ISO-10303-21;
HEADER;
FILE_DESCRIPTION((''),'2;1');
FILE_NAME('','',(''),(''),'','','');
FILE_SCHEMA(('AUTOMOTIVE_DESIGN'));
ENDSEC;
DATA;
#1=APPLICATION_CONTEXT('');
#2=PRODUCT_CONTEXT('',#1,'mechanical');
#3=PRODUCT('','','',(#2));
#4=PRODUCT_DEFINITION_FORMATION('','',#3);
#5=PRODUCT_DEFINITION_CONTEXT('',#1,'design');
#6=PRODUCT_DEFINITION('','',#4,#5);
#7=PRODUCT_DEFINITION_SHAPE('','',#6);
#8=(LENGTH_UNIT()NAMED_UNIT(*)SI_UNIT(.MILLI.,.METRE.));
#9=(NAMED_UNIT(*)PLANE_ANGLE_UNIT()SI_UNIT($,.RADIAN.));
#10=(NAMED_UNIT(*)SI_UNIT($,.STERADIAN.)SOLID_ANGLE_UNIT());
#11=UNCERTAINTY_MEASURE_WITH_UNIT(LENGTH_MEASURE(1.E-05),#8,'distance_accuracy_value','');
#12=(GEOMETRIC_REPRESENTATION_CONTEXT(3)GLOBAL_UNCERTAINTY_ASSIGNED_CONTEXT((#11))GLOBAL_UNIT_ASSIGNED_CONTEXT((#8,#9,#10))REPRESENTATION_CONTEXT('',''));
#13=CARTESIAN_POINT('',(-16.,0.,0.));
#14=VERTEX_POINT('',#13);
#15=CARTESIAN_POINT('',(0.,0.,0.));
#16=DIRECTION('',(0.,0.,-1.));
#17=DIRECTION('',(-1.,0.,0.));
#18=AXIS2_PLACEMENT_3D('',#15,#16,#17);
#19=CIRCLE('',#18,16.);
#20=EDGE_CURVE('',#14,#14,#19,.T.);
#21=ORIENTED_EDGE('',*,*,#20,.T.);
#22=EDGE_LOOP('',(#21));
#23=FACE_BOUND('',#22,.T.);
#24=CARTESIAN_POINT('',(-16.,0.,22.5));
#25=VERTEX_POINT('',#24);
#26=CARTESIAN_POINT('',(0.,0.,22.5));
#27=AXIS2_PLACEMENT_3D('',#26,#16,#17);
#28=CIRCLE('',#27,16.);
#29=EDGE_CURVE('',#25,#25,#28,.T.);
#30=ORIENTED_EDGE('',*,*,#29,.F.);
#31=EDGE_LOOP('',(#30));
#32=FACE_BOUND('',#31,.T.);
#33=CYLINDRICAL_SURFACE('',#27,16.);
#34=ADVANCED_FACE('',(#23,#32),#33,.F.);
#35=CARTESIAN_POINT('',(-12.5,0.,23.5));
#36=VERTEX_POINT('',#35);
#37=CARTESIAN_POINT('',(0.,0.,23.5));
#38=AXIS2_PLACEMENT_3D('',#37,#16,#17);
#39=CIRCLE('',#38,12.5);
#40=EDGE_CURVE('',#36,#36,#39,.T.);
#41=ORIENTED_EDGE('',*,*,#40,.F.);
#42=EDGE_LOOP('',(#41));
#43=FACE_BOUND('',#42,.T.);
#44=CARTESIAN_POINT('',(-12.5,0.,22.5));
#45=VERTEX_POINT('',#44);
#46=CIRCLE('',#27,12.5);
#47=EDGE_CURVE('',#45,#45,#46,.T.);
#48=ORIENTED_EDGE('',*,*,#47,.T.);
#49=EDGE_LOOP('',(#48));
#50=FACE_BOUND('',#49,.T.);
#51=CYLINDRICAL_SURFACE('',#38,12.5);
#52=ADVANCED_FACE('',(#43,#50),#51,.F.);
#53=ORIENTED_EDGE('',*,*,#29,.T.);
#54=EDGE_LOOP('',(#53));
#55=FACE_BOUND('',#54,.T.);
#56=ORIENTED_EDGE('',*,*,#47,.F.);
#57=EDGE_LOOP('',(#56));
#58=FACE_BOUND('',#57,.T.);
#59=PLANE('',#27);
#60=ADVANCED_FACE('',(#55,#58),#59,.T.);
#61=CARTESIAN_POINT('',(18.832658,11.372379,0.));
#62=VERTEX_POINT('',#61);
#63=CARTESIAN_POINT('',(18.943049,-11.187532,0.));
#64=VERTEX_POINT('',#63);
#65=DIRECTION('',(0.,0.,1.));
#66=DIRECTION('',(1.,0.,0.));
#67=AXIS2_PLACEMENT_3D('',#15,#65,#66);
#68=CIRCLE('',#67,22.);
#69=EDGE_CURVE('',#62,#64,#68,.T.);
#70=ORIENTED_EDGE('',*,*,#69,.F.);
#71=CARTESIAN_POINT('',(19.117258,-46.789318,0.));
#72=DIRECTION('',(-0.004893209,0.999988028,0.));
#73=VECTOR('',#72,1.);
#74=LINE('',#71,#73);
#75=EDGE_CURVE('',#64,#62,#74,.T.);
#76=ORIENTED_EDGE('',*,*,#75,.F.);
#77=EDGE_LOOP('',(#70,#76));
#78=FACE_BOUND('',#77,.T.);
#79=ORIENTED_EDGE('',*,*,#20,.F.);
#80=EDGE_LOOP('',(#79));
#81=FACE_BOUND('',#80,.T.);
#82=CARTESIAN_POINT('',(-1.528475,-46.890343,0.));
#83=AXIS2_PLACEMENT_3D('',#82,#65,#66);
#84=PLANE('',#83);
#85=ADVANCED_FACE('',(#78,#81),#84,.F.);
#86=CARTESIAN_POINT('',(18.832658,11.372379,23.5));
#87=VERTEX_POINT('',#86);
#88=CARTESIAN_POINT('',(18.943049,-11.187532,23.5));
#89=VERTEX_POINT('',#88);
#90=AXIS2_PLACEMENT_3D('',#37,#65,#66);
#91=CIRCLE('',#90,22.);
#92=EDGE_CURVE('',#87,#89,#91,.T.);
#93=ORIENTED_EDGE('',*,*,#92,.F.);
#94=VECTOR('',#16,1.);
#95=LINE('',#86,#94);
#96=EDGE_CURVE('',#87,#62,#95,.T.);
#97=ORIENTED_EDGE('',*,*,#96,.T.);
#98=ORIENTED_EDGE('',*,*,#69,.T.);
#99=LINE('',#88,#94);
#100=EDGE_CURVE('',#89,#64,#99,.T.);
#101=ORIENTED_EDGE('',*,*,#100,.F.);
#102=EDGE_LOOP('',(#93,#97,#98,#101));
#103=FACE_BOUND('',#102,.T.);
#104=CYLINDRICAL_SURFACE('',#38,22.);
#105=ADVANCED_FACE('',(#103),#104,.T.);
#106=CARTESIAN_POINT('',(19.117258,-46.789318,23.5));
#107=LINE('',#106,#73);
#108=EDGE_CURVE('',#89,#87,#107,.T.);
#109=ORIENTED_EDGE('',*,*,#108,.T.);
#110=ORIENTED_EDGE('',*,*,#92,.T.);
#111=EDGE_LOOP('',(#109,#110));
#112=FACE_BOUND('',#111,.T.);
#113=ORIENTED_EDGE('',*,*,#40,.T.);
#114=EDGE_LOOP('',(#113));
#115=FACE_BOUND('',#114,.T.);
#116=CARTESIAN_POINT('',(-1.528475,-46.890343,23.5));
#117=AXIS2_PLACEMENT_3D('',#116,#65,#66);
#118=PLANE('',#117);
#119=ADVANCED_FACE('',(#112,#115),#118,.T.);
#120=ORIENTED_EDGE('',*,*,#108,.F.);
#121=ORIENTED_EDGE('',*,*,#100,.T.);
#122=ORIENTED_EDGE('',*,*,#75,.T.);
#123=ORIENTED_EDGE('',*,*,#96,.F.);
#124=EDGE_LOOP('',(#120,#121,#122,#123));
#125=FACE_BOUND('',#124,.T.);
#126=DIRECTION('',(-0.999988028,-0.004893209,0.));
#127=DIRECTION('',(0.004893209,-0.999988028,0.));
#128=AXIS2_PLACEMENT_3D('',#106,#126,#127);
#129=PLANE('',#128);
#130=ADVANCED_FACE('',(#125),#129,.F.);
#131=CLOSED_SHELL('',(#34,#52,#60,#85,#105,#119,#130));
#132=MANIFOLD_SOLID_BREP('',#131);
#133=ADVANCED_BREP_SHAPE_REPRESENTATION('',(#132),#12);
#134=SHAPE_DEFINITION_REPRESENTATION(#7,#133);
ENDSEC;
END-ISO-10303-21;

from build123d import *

# Parameters (mm, degrees)
EXTRUDE_1_DEPTH     = 23.5
SKETCH_6_R          = 16
CUT_EXTRUDE_8_DEPTH = 22.5
SKETCH_7_R          = 12.5
CUT_EXTRUDE_9_DEPTH = 2


with BuildPart() as part:
    # Эскиз1 → Вытянуть1 (new body)
    with BuildSketch(Plane.XY):
        with BuildLine():
            Line((18.943049375, -11.187532363), (18.832657697, 11.372378998))
            ThreePointArc((18.832657697, 11.372378998), (-21.99973662, -0.107650593), (18.943049375, -11.187532363))
        make_face()
    extrude(amount=EXTRUDE_1_DEPTH)

    # Эскиз6 → Вытянуть8 (cut)
    with BuildSketch(Plane(origin=(0, 0, 0), x_dir=(-1, 0, 0), z_dir=(0, 0, -1))):
        Circle(SKETCH_6_R)
    extrude(amount=-CUT_EXTRUDE_8_DEPTH, mode=Mode.SUBTRACT)

    # Эскиз7 → Вытянуть9 (cut, through all)
    with BuildSketch(Plane(origin=(0, 0, 22.5), x_dir=(-1, 0, 0), z_dir=(0, 0, -1))):
        Circle(SKETCH_7_R)
    extrude(amount=-CUT_EXTRUDE_9_DEPTH, mode=Mode.SUBTRACT)


solid = part.part
